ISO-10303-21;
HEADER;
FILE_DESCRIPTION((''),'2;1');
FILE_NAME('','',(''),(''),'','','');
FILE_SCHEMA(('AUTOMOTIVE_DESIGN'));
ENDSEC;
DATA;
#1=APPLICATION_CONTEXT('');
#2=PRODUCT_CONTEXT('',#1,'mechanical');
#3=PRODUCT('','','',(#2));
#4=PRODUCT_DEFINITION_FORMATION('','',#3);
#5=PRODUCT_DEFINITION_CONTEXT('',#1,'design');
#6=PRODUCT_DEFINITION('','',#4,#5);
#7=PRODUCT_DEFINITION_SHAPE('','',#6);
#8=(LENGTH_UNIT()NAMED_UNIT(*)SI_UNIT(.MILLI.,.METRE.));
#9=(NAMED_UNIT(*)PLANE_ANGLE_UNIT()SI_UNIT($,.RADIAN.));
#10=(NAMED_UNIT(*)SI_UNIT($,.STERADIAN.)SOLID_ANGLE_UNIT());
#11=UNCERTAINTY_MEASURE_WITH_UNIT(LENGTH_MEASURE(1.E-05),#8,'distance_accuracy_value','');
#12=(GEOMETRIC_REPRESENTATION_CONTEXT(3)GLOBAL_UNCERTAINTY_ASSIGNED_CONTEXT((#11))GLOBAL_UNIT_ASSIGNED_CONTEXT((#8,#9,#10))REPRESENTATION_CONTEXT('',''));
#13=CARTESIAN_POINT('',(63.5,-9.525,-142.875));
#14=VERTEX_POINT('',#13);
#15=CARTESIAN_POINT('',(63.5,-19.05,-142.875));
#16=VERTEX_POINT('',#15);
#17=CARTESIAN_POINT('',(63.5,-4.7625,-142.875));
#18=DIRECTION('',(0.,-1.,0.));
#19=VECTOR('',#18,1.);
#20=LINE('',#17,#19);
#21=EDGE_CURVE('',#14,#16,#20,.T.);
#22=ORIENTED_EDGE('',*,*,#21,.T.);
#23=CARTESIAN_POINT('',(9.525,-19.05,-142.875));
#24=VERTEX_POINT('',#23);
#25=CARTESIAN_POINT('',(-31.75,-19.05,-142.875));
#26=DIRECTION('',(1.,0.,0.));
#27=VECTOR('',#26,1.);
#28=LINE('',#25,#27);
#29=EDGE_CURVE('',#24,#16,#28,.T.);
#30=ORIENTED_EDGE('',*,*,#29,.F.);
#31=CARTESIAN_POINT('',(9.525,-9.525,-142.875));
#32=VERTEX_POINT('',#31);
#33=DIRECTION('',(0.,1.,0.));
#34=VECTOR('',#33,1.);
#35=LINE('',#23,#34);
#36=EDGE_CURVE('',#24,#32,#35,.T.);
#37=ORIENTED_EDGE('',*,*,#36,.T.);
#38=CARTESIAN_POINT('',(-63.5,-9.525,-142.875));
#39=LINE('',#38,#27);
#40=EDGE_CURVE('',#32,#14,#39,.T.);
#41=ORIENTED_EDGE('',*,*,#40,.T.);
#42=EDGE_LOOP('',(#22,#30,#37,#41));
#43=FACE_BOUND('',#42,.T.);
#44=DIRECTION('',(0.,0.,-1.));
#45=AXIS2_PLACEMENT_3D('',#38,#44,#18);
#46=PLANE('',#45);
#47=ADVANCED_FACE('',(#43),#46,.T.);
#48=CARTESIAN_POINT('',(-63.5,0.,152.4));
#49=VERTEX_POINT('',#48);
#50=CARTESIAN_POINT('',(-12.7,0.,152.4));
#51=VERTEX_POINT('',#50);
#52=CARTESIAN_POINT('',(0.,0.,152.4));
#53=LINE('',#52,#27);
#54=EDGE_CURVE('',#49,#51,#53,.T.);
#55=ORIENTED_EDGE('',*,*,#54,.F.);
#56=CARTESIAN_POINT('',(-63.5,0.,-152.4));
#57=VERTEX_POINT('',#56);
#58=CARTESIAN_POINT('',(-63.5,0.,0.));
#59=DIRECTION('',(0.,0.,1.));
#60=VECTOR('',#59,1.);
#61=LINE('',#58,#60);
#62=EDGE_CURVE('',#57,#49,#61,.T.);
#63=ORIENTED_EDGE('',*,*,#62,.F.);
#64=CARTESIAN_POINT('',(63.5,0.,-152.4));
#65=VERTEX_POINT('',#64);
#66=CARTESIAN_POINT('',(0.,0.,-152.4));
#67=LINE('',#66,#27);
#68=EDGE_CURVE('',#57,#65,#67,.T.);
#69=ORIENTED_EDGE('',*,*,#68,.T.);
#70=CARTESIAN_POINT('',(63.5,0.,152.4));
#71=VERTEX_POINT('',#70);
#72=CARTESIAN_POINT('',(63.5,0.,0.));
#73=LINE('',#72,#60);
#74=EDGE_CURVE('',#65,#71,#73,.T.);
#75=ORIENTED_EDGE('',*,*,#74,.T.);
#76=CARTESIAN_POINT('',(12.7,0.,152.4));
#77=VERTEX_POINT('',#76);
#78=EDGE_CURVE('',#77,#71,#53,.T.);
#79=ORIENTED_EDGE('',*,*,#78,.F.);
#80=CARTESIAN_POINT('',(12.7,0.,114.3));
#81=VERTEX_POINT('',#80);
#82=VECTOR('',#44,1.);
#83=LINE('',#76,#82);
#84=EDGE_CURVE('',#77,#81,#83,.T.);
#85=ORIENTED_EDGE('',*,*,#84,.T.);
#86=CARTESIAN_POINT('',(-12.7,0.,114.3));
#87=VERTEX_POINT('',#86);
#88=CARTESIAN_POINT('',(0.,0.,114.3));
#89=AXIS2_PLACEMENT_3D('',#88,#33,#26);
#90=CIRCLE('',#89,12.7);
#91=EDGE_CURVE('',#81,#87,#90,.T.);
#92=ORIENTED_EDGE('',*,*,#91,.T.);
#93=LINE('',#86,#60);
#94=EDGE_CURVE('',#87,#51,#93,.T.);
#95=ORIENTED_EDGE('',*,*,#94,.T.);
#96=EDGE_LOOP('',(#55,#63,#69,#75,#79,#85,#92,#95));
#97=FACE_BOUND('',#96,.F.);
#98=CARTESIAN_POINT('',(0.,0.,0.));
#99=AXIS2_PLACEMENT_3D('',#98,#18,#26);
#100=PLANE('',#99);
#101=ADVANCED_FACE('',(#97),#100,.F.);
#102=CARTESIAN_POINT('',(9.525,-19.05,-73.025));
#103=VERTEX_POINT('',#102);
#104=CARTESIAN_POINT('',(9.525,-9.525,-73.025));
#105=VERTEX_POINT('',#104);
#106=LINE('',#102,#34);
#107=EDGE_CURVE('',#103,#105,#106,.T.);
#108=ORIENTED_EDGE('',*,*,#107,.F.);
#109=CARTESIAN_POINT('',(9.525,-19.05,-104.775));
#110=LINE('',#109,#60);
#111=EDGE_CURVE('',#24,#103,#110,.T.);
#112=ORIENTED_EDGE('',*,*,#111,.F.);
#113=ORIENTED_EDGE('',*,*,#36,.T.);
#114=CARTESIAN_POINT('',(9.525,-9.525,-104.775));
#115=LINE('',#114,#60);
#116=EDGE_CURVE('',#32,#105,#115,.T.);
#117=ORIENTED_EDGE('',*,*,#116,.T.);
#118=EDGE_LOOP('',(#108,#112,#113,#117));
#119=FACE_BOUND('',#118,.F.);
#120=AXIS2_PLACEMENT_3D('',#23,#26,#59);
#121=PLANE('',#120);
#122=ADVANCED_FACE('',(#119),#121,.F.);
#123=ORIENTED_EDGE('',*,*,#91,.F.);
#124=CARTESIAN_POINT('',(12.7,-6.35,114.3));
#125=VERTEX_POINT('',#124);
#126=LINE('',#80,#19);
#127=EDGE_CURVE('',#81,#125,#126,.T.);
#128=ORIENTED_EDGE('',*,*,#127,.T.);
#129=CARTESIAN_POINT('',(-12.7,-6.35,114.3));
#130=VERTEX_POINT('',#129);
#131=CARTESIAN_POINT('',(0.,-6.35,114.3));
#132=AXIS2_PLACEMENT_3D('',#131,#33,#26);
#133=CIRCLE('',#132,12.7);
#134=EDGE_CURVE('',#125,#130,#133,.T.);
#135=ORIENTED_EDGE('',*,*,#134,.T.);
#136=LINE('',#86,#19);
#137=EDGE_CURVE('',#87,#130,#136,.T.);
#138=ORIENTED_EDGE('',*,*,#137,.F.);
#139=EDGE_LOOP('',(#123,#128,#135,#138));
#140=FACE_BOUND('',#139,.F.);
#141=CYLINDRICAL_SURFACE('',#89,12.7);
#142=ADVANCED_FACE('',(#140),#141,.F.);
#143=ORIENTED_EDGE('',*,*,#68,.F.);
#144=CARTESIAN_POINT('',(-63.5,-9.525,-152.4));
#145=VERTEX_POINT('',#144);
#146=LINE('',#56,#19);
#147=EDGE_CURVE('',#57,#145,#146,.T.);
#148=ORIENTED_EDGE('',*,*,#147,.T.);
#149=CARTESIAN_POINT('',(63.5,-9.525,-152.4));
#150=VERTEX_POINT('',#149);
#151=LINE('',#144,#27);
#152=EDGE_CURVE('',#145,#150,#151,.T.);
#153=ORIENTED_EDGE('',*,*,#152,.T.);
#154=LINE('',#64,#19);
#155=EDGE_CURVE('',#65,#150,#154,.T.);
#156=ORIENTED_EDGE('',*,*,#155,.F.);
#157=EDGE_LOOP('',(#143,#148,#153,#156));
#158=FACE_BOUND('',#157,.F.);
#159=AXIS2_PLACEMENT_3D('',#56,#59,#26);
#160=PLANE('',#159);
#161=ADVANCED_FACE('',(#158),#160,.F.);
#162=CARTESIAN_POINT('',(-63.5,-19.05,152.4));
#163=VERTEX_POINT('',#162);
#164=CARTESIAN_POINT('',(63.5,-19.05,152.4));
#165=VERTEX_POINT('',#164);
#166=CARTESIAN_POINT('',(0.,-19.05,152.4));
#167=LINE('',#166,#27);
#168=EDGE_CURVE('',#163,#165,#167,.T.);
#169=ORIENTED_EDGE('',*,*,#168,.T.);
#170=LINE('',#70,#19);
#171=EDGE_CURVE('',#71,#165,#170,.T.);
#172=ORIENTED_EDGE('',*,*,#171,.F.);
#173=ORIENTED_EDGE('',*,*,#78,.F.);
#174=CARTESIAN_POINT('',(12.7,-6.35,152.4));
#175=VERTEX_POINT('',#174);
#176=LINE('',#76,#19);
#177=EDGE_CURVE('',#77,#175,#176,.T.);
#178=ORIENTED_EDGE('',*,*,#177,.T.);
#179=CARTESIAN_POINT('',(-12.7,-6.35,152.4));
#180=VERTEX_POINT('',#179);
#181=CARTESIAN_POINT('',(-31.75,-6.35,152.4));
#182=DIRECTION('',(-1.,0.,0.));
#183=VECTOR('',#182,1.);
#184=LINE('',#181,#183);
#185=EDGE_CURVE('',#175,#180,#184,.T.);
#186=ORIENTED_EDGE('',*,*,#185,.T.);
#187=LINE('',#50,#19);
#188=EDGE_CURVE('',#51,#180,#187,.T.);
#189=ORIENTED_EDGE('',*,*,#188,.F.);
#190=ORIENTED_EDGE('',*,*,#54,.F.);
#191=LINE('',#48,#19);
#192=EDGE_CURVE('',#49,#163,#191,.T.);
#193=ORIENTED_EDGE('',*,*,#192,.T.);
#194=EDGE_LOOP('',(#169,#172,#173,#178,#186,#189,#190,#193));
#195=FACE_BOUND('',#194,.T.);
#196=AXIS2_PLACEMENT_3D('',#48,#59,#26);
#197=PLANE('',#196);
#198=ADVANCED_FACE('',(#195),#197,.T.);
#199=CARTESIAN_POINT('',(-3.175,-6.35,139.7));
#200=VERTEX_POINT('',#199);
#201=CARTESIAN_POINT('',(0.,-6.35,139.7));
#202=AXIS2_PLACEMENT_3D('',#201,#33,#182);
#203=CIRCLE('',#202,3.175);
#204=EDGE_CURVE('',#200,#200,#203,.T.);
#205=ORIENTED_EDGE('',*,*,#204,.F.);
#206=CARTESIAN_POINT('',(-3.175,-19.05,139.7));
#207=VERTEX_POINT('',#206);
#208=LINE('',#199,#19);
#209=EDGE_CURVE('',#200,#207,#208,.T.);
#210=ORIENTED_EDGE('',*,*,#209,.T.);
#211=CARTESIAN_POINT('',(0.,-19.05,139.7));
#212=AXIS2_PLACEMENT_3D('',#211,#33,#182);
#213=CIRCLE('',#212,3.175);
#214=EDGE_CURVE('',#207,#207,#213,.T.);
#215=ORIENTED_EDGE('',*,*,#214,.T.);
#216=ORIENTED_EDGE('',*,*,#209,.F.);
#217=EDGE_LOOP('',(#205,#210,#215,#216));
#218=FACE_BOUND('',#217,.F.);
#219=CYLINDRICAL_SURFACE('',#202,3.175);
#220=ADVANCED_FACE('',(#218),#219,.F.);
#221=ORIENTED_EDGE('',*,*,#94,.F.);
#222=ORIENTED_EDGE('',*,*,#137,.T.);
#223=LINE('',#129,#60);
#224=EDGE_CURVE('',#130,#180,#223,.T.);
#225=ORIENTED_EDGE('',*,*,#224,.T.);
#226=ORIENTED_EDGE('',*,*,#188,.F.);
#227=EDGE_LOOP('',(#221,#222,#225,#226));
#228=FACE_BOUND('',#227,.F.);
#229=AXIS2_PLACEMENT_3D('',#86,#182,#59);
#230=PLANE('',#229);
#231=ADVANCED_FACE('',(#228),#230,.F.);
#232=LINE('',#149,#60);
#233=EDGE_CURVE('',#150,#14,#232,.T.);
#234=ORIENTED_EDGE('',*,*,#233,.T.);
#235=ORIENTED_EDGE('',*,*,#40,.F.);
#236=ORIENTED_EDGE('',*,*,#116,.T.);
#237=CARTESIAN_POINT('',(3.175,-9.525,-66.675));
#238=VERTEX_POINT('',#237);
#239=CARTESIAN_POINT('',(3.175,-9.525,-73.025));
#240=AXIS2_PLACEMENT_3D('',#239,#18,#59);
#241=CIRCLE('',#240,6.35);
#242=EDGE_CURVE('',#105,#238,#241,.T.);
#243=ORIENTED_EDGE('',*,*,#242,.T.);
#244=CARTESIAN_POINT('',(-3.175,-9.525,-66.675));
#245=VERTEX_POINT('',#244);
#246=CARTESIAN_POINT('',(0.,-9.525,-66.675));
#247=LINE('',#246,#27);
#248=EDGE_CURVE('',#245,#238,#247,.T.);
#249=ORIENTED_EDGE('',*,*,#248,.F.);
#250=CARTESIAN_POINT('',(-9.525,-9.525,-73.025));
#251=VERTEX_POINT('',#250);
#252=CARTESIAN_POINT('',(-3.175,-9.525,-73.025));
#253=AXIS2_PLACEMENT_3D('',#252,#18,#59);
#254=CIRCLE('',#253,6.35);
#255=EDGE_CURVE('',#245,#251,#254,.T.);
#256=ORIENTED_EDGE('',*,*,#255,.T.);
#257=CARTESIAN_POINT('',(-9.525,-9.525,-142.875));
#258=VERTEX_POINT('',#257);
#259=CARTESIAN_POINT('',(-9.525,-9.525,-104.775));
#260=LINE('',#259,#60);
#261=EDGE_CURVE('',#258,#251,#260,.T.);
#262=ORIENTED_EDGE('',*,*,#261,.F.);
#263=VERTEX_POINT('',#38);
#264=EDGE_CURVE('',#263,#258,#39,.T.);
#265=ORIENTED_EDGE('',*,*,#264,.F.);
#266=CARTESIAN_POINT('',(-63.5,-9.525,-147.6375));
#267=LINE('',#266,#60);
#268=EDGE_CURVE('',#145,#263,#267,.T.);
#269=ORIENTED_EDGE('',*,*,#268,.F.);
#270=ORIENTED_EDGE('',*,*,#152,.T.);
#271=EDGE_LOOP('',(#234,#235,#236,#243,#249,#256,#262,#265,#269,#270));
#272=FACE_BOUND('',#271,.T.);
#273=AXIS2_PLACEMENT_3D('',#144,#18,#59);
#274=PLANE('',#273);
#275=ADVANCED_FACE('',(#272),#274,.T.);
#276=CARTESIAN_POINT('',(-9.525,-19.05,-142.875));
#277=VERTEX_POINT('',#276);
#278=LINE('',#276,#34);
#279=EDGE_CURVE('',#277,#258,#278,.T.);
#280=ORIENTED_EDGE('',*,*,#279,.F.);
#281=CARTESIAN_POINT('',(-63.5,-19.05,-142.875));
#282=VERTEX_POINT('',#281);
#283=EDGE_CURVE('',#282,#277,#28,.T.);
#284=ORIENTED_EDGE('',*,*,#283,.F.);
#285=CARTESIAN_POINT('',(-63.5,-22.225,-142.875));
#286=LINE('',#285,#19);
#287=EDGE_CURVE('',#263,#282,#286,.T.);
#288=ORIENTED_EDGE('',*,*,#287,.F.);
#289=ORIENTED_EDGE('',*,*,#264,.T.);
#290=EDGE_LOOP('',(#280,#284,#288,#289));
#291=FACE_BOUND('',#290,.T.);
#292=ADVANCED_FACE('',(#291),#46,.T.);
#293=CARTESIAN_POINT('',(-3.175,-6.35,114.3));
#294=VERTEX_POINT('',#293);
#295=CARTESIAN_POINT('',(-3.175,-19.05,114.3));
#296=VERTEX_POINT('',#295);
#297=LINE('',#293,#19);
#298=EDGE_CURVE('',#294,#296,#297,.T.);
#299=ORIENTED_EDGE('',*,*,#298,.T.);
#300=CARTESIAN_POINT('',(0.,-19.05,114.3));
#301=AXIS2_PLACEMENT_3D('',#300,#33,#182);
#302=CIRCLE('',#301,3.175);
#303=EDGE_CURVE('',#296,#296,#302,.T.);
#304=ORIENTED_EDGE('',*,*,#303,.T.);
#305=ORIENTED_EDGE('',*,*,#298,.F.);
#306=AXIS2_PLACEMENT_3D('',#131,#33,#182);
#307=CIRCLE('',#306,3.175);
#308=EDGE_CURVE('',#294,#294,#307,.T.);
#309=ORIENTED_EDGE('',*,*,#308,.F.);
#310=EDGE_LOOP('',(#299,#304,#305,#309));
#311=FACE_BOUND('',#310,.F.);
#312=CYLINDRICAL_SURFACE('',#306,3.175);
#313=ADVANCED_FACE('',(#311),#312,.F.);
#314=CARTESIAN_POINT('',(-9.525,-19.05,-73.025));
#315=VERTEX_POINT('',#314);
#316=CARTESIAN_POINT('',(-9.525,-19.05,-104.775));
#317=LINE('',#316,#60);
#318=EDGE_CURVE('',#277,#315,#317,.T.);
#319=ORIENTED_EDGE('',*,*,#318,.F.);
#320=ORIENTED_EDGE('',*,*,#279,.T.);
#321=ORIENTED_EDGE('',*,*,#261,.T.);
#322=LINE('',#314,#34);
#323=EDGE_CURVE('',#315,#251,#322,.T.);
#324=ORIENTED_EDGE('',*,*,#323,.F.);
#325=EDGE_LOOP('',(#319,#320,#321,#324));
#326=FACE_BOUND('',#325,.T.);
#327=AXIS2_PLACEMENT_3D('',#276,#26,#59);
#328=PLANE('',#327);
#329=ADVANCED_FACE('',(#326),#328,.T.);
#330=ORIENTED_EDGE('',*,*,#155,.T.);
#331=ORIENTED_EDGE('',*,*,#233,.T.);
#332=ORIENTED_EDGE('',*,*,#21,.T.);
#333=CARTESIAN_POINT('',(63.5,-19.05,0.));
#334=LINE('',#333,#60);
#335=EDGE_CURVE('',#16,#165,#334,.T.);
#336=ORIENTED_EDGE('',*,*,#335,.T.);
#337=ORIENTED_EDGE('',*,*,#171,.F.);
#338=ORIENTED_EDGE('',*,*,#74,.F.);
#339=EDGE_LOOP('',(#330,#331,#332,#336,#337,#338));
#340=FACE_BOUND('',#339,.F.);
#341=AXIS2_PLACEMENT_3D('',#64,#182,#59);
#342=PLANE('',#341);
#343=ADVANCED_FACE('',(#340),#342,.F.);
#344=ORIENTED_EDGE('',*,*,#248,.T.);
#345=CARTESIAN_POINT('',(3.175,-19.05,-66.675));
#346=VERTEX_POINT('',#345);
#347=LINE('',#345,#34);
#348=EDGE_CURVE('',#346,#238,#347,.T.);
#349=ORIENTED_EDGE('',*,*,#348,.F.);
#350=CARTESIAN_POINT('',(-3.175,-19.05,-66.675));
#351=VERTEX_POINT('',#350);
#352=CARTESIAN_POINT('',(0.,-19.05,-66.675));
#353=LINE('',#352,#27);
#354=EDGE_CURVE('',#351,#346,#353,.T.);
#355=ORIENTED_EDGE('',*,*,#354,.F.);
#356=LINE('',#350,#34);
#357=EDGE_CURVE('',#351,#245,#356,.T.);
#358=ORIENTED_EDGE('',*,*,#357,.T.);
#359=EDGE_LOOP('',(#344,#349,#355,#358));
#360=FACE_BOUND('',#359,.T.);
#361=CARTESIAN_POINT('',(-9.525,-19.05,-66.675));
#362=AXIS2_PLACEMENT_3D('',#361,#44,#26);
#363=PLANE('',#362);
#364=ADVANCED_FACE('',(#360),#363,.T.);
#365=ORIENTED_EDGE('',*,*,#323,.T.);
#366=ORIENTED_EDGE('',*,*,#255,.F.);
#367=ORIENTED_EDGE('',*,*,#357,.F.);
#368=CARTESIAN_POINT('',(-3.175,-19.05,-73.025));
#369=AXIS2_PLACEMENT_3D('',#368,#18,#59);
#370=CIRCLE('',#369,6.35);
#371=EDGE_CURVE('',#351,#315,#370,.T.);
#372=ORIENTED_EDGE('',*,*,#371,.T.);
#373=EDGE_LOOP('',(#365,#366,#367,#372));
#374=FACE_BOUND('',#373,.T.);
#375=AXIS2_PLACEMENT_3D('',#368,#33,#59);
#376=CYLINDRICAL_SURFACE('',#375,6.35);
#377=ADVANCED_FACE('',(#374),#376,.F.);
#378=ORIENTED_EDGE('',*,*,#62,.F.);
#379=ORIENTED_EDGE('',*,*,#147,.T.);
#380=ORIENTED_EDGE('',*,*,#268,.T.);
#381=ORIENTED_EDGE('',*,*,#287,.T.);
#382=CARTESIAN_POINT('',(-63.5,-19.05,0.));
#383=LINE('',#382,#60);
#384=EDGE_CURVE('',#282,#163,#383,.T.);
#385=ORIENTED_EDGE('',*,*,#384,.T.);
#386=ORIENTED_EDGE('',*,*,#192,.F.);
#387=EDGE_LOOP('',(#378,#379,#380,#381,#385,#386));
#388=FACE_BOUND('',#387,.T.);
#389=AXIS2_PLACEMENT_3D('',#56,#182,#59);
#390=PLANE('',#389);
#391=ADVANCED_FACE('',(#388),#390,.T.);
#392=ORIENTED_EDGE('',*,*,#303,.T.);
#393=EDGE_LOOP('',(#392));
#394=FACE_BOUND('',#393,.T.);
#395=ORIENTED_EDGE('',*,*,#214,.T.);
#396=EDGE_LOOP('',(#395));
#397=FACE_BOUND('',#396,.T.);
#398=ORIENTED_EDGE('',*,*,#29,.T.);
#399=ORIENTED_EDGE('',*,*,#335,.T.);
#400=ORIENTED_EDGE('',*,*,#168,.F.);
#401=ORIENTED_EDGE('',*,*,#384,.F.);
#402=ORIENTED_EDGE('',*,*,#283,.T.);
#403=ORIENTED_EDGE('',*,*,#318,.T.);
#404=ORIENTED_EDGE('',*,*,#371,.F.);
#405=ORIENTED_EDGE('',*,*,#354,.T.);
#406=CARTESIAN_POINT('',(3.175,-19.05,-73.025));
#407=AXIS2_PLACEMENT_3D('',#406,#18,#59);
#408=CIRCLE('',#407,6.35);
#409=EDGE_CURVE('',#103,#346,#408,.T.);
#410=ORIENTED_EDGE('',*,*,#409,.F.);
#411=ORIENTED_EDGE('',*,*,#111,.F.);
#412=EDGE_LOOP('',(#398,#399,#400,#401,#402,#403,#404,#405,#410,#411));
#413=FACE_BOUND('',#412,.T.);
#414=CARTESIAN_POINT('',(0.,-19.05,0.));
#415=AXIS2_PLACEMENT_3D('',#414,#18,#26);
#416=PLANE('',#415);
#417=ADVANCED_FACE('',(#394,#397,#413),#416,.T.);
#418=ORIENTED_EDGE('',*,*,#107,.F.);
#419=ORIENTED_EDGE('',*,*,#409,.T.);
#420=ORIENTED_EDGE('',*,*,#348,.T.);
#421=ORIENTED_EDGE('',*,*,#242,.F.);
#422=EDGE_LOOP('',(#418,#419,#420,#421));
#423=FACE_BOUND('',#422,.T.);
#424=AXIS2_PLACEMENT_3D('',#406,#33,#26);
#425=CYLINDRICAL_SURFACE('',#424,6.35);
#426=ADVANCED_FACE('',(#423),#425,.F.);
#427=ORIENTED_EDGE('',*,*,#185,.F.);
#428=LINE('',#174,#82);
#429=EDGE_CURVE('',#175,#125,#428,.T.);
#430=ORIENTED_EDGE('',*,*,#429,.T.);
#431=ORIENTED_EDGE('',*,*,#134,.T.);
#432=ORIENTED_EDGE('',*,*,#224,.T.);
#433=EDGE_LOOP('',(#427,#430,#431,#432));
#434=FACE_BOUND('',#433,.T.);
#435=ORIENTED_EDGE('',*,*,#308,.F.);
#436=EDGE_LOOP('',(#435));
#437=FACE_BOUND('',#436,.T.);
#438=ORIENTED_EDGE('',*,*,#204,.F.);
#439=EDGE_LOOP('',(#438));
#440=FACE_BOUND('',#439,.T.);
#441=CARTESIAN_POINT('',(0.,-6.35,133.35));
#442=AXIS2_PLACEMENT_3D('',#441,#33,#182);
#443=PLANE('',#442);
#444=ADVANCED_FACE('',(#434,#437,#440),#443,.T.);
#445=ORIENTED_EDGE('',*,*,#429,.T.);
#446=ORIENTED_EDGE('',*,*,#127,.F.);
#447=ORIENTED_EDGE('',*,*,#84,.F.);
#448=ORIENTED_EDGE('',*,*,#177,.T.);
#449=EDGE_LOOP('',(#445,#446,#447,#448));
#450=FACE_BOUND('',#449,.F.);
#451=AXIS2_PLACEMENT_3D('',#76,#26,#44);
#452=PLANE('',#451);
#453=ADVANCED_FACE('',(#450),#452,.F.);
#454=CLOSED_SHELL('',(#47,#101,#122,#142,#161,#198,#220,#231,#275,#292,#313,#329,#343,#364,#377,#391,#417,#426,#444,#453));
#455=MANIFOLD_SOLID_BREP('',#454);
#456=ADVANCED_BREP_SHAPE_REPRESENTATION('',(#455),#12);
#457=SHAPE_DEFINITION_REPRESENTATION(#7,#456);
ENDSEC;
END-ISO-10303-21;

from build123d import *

# Parameters (mm, degrees)
F0_W     = 127
F0_H     = 304.8
F1_DEPTH = 19.05
F3_DEPTH = 6.35
F4_R     = 3.175
F5_DEPTH = 12.701
F6_W     = 25.4
F6_H     = 9.525
F7_DEPTH = 127.001
F8_W     = 19.05
F8_H     = 76.2
F9_DEPTH = 9.525
F10_R    = 6.35


with BuildPart() as f1:
    # F0 (on Front) → F1 (new body)
    with BuildSketch(Plane.XZ):
        Rectangle(F0_W, F0_H)
    extrude(amount=F1_DEPTH)

    # F2 (on face) → F3 (cut)
    with BuildSketch(Plane(origin=(0, 0, 0), x_dir=(-1, 0, 0), z_dir=(0, 1, 0))):
        with BuildLine():
            Line((12.7, 114.3), (12.7, 152.4))
            ThreePointArc((12.7, 152.4), (0, 165.1), (-12.7, 152.4))
            Line((-12.7, 152.4), (-12.7, 114.3))
            ThreePointArc((-12.7, 114.3), (0, 101.6), (12.7, 114.3))
        make_face()
    extrude(amount=-F3_DEPTH, mode=Mode.SUBTRACT)

    # F4 (on face) → F5 (cut, through all)
    with BuildSketch(Plane(origin=(0, -6.35, 0), x_dir=(-1, 0, 0), z_dir=(0, 1, 0))):
        with Locations((0, 114.3)):
            Circle(F4_R)
        with Locations((0, 139.7)):
            Circle(F4_R)
    extrude(amount=-F5_DEPTH, mode=Mode.SUBTRACT)

    # F6 (on face) → F7 (cut, through all)
    with BuildSketch(Plane(origin=(-63.5, 0, 0), x_dir=(0, -1, 0), z_dir=(-1, 0, 0))):
        with Locations((22.225, -147.6375)):
            Rectangle(F6_W, F6_H)
    extrude(amount=-F7_DEPTH, mode=Mode.SUBTRACT)

    # F8 (on face) → F9 (cut)
    with BuildSketch(Plane.XZ.offset(19.05)):
        with Locations((0, -104.775)):
            Rectangle(F8_W, F8_H)
    extrude(amount=-F9_DEPTH, mode=Mode.SUBTRACT)

    # F10
    f10_edges = [f1.edges().sort_by_distance(p)[0] for p in [
        (-9.525, -14.2875, -66.675),
        (9.525, -14.2875, -66.675),
    ]]
    fillet(f10_edges, radius=F10_R)


with BuildPart() as f11_1:
    # F11: copy of F1
    add(f1.part)


solid = f1.part
